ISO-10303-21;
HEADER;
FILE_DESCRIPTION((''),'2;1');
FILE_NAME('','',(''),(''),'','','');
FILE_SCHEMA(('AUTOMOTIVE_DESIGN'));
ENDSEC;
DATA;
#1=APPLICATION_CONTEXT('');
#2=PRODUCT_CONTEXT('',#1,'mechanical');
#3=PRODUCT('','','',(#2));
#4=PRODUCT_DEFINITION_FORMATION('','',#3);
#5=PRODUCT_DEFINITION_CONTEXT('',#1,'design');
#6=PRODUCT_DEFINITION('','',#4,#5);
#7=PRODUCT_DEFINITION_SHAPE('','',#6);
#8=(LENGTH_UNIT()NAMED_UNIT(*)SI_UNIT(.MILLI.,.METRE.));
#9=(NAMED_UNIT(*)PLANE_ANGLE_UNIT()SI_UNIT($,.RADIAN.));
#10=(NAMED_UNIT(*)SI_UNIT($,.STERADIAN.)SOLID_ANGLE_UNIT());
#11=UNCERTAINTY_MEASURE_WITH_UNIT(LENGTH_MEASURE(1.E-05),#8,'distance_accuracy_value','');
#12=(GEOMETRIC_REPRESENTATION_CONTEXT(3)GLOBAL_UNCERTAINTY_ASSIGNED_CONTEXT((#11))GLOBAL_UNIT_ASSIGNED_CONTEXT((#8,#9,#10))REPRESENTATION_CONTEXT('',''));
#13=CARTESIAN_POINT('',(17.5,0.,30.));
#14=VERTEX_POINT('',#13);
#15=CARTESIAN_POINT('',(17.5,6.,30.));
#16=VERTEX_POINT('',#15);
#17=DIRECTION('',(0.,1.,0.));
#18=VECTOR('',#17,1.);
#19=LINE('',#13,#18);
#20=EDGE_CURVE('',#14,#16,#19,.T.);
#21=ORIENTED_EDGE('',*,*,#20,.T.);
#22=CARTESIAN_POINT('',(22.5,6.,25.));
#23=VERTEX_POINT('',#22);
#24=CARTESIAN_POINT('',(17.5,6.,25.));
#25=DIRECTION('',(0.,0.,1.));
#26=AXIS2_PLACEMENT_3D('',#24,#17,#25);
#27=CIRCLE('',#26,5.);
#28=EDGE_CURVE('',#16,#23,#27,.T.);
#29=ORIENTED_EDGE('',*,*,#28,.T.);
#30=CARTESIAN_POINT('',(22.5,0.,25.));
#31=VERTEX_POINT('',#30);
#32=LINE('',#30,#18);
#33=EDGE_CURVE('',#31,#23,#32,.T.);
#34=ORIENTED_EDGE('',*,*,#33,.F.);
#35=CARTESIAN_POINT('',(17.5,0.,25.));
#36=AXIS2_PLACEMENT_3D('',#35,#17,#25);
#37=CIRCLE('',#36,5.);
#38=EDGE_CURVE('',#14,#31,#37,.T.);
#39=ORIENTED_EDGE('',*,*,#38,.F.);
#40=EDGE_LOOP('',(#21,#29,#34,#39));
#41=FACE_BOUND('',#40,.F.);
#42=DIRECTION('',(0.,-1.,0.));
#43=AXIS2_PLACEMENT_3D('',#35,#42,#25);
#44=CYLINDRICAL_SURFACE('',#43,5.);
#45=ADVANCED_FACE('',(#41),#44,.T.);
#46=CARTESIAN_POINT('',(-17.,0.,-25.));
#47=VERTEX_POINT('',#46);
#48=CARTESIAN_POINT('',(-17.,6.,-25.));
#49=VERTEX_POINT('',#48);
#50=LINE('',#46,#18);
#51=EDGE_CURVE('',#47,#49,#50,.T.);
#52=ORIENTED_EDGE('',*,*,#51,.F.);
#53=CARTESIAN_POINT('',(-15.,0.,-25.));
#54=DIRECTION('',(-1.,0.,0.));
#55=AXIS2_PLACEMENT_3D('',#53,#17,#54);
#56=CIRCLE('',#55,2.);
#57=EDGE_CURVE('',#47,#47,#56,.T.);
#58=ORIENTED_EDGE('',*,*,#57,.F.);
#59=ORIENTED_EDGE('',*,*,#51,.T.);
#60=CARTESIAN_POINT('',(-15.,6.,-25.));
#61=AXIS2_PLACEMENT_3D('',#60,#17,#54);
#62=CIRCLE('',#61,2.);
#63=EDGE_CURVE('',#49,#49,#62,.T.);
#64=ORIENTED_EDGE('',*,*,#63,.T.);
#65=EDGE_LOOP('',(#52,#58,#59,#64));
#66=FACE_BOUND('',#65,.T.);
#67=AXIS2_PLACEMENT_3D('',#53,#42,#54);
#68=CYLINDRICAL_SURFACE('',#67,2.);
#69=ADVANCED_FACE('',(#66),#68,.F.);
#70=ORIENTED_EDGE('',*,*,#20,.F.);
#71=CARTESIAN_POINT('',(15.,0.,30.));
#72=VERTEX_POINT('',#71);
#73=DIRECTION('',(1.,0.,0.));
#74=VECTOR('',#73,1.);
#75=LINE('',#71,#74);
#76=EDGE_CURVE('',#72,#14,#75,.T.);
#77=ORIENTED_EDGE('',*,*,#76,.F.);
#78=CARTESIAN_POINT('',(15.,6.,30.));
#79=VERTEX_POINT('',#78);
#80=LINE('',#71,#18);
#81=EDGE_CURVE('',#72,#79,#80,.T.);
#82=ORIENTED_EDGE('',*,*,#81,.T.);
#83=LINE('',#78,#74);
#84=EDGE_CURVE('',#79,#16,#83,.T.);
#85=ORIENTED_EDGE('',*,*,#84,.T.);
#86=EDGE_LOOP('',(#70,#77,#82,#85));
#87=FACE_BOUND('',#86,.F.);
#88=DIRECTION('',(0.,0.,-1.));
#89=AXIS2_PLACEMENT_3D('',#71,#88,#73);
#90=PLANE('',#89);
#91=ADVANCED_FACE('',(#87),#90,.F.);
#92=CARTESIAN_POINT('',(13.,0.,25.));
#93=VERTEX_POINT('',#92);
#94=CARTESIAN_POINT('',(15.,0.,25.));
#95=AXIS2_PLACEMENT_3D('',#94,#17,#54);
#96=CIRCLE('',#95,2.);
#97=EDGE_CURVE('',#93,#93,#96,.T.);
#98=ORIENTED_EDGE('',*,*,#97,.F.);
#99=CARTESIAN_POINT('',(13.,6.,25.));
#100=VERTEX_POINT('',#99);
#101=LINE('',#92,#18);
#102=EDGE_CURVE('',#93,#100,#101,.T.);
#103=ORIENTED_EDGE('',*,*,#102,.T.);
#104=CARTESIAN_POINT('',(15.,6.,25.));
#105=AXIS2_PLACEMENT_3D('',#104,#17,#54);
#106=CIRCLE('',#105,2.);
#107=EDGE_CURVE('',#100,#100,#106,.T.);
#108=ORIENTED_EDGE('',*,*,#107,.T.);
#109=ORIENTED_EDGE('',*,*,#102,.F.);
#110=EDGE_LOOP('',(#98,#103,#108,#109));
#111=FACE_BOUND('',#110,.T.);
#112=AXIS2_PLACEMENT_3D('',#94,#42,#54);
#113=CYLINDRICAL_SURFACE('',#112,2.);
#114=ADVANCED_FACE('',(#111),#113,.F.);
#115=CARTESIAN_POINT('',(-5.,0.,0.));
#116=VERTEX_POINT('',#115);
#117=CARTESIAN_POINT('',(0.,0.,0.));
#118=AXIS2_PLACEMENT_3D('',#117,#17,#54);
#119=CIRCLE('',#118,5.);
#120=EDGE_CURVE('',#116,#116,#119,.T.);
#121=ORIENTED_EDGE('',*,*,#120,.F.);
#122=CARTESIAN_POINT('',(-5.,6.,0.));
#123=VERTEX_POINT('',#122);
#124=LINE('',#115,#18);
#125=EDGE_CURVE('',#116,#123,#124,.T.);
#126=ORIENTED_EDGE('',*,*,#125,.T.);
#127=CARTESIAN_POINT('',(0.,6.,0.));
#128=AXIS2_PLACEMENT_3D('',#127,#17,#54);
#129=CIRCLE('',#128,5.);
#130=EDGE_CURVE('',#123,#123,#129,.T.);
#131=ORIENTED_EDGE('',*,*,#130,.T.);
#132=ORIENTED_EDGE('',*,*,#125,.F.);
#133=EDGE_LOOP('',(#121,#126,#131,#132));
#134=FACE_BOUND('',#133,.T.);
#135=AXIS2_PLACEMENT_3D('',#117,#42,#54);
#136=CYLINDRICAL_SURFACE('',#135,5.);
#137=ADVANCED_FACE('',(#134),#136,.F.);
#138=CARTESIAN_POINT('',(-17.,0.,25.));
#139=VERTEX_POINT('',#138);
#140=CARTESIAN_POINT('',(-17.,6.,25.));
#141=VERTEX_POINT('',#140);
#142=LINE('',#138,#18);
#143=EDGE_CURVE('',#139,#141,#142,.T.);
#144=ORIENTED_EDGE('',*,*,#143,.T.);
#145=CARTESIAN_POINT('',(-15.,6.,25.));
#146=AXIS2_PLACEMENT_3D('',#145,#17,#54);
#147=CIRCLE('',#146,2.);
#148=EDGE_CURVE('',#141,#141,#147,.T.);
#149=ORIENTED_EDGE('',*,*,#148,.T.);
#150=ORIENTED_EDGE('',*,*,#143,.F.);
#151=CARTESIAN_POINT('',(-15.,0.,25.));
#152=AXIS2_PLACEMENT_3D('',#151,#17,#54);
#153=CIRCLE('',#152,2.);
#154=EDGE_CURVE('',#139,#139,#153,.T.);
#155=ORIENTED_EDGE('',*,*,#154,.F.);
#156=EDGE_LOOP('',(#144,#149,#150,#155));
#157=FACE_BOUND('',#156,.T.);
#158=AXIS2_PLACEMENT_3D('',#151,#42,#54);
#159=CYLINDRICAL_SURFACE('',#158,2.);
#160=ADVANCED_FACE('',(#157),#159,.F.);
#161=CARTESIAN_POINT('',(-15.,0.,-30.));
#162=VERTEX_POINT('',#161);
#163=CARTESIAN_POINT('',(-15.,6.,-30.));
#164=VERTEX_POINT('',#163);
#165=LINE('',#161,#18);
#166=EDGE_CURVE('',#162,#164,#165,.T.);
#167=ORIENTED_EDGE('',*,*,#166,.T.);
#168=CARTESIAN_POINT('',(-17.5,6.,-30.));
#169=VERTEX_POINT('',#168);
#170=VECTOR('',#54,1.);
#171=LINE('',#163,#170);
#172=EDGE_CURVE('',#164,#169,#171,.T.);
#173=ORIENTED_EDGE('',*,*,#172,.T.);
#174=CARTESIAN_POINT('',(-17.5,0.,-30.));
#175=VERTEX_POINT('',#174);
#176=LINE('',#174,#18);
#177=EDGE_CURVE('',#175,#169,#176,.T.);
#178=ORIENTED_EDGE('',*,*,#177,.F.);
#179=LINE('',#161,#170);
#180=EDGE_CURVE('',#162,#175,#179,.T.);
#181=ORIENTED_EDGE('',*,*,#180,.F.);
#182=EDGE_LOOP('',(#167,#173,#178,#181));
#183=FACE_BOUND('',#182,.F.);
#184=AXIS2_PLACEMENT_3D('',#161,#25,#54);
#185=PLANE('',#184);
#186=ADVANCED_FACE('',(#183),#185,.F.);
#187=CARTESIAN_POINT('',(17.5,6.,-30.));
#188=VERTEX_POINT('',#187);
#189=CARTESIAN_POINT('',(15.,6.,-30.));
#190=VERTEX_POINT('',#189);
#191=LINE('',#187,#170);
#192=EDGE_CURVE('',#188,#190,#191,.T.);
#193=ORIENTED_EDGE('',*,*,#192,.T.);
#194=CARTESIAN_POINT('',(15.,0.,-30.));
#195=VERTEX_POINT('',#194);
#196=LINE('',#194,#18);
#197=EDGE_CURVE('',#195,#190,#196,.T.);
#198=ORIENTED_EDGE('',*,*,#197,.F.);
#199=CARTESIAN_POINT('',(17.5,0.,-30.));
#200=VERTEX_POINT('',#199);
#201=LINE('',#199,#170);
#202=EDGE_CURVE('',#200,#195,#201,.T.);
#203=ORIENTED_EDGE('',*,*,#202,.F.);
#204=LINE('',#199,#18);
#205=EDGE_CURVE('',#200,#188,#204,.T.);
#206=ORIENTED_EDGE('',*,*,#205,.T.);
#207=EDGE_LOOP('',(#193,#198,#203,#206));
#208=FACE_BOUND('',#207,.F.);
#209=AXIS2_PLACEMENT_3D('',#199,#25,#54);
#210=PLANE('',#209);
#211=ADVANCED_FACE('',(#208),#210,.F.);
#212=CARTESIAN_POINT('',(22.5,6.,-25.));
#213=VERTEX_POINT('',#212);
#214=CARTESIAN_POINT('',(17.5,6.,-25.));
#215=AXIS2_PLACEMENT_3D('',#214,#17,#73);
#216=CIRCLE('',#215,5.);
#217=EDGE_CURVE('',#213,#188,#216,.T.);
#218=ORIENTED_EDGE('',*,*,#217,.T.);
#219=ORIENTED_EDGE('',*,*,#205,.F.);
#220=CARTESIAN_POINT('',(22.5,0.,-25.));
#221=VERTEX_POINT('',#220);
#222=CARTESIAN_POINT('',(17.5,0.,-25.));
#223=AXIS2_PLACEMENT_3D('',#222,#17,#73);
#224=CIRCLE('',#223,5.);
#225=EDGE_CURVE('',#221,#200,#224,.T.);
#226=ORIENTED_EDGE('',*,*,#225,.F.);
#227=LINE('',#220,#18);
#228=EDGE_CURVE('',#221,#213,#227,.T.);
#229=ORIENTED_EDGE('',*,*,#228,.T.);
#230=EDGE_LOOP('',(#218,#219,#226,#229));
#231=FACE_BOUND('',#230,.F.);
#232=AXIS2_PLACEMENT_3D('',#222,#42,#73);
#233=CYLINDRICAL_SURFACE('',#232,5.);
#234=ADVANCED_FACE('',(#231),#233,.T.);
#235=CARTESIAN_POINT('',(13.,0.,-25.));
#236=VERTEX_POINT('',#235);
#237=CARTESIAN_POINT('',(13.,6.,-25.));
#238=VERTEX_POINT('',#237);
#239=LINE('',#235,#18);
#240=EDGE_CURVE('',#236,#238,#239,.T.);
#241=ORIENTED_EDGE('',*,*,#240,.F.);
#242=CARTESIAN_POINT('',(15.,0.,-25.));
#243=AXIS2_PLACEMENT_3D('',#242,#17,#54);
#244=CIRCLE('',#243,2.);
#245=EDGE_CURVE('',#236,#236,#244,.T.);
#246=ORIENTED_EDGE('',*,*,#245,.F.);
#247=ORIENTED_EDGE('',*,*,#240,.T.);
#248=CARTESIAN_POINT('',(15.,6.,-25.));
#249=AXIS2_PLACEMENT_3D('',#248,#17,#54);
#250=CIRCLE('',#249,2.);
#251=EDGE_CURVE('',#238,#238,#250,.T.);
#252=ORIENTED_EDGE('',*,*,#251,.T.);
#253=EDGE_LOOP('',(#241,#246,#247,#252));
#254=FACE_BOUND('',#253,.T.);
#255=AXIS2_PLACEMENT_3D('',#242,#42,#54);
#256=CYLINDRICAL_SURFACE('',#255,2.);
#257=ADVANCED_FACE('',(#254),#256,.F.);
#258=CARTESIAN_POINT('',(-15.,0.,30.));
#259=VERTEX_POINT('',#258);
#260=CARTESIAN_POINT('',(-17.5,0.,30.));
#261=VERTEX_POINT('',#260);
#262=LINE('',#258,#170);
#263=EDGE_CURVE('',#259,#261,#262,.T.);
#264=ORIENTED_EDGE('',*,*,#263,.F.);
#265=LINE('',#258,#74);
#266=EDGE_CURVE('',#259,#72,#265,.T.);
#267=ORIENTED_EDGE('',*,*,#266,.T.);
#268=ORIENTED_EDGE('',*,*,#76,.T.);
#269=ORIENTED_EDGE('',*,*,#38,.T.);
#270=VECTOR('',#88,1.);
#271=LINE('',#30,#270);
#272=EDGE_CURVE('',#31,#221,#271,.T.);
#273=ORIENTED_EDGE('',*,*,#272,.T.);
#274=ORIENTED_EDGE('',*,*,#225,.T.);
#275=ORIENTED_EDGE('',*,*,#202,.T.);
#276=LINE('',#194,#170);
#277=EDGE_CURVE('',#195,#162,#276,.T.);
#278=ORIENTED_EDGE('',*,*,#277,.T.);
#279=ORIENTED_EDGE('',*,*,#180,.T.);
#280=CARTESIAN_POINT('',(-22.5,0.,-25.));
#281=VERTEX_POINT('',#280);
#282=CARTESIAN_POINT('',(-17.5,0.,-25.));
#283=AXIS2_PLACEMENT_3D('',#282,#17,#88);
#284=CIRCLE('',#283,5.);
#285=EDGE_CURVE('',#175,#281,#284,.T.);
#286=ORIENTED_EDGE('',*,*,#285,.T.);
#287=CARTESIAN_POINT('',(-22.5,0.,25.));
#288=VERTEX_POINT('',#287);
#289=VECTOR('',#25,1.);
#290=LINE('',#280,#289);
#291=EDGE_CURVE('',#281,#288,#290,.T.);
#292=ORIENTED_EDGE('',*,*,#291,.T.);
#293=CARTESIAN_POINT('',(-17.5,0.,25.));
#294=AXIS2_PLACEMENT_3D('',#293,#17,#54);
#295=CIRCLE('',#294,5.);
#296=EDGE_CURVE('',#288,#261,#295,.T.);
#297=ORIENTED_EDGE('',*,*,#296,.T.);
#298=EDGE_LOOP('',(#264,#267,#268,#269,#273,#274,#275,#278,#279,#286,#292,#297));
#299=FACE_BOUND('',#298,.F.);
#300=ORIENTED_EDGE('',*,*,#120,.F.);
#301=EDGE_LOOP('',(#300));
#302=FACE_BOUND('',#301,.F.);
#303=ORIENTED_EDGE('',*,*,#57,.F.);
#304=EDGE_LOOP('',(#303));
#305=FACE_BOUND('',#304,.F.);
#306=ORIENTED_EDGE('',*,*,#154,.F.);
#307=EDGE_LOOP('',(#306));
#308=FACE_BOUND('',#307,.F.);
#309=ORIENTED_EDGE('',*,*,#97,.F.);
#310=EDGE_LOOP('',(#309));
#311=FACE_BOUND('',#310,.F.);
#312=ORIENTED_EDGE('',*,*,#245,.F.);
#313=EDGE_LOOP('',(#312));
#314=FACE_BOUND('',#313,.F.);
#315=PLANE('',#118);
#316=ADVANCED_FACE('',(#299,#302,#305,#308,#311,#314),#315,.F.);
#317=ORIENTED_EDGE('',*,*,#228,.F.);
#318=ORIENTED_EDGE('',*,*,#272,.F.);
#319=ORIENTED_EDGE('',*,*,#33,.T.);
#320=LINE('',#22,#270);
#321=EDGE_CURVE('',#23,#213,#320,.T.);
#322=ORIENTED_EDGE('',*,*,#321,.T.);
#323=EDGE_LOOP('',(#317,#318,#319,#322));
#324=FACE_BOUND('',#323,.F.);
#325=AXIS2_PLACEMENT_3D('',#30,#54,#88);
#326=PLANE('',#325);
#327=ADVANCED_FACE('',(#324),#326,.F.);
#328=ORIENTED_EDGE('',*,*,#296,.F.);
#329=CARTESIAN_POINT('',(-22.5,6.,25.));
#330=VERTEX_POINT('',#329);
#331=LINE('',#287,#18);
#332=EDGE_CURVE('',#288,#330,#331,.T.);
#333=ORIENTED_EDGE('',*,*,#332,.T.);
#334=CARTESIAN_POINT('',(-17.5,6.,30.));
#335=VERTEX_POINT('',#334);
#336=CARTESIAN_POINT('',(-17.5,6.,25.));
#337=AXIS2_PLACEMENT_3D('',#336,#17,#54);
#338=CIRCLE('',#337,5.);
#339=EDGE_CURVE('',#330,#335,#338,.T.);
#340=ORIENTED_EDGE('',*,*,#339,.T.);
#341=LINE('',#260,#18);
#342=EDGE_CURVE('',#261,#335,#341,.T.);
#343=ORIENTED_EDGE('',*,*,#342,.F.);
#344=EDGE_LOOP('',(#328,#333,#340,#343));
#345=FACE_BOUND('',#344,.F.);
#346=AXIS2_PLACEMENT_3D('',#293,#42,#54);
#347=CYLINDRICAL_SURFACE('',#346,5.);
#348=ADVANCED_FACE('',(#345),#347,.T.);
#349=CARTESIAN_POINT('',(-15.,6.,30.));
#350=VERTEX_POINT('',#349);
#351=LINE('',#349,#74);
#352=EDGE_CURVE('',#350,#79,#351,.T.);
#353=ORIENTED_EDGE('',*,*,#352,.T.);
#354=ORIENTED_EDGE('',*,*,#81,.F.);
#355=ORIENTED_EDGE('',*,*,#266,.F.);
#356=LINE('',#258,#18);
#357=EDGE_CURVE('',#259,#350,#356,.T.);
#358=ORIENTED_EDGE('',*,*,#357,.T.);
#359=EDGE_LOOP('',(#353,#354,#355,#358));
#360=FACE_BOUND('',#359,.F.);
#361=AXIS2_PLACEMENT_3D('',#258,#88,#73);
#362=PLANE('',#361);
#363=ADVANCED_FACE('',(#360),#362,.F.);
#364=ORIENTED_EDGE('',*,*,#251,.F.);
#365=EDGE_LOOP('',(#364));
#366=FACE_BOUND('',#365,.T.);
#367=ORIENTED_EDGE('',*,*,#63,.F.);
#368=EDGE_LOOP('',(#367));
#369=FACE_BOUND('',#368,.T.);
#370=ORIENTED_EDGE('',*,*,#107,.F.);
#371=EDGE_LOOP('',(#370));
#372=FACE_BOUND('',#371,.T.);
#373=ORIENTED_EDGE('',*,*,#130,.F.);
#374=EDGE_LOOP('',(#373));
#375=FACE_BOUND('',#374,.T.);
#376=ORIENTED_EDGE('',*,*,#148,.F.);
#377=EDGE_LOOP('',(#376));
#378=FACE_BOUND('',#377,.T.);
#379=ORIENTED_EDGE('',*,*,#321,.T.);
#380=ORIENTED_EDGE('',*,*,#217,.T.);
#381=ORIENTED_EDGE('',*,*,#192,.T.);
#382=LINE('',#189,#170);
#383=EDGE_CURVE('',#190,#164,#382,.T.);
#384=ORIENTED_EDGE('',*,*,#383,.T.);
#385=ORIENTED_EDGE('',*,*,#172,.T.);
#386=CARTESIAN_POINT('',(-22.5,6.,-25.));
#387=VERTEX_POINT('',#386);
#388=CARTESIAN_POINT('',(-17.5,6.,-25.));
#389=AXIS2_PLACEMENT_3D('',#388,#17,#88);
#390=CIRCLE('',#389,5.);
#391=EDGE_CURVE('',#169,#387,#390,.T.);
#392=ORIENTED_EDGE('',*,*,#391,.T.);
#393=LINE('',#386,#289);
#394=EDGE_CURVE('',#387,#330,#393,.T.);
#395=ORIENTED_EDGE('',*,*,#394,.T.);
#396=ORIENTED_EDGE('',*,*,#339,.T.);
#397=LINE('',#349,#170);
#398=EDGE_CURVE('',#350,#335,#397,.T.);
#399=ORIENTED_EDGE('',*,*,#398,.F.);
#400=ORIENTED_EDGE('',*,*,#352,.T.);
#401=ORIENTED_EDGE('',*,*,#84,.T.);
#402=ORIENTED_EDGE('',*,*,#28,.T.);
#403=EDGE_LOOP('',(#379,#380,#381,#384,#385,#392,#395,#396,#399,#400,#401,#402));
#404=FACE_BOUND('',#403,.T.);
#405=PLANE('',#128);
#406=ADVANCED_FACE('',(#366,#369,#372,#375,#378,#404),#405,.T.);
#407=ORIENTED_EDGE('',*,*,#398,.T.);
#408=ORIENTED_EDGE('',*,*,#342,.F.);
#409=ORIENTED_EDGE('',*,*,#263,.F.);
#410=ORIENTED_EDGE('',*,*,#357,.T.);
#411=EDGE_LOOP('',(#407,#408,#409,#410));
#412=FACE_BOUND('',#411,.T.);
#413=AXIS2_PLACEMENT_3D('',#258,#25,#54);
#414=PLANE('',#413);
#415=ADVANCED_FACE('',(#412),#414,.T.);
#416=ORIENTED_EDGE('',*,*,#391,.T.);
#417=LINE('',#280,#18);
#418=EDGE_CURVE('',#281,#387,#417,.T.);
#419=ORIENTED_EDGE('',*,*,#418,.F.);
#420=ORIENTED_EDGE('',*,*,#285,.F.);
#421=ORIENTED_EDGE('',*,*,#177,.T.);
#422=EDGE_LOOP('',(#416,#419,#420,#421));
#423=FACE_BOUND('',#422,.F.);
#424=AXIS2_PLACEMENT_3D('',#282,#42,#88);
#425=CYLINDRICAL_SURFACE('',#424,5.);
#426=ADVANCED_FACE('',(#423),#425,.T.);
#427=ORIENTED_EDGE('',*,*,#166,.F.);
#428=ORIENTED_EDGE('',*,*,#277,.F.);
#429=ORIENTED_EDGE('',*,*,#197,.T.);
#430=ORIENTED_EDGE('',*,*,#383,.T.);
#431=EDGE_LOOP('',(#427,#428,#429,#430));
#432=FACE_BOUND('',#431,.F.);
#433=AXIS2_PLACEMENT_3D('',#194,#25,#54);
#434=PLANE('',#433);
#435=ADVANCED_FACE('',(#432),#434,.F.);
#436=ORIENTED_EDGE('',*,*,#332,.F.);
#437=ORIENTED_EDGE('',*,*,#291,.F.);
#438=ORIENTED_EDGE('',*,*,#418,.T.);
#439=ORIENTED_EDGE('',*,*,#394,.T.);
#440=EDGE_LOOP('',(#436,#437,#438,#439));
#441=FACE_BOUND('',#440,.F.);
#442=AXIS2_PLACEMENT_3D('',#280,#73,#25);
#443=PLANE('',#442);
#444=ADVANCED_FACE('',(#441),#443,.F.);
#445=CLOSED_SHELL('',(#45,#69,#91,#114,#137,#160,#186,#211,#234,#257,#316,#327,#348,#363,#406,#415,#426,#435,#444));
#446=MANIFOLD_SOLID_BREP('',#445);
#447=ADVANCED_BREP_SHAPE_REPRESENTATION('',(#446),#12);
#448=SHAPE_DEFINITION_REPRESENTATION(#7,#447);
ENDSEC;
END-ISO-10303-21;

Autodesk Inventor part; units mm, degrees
ref_plane "YZ Plane" through (0, 0, 0) normal (1, 0, 0) x (0, 1, 0)
ref_plane "XZ Plane" through (0, 0, 0) normal (0, 1, 0) x (-1, 0, 0)
ref_plane "XY Plane" through (0, 0, 0) normal (0, 0, 1) x (1, 0, 0)
sketch "Szkic2" plane through (0, 0, 0) normal (0, 1, 0) x (-1, 0, 0)
  line L0 (-15, -30) -> (15, -30)
  line L1 (22.5, -25) -> (22.5, 25)
  line L2 (15, 30) -> (-15, 30)
  line L3 (-22.5, 25) -> (-22.5, -25)
  line L4 (-20, -30) -> (20, 30) construction
  line L5 (20, -30) -> (-20, 30) construction
  arc A0 (22.5, 25) -> (17.5, 30) centre (17.5, 25) ccw
  arc A1 (17.5, -30) -> (22.5, -25) centre (17.5, -25) ccw
  arc A2 (-22.5, -25) -> (-17.5, -30) centre (-17.5, -25) ccw
  arc A3 (-17.5, 30) -> (-22.5, 25) centre (-17.5, 25) ccw
  circle A4 centre (15, 25) radius 2
  circle A5 centre (15, -25) radius 2
  circle A6 centre (-15, -25) radius 2
  circle A7 centre (-15, 25) radius 2
  circle A8 centre (0, 0) radius 5
  line L6 (15, 30) -> (17.5, 30)
  line L7 (-15, 30) -> (-17.5, 30)
  line L8 (-17.5, -30) -> (-15, -30)
  line L9 (15, -30) -> (17.5, -30)
  dimension "d12" = 40
  dimension "d13" = 60
  dimension "d14" = 5
  dimension "d15" = 4
  dimension "d16" = 4
  dimension "d17" = 4
  dimension "d18" = 4
  dimension "d19" = 10
extrude "Wyciągnięcie proste2" add sketch "Szkic2" along normal blind 6
properties part number "GroundToArm"
